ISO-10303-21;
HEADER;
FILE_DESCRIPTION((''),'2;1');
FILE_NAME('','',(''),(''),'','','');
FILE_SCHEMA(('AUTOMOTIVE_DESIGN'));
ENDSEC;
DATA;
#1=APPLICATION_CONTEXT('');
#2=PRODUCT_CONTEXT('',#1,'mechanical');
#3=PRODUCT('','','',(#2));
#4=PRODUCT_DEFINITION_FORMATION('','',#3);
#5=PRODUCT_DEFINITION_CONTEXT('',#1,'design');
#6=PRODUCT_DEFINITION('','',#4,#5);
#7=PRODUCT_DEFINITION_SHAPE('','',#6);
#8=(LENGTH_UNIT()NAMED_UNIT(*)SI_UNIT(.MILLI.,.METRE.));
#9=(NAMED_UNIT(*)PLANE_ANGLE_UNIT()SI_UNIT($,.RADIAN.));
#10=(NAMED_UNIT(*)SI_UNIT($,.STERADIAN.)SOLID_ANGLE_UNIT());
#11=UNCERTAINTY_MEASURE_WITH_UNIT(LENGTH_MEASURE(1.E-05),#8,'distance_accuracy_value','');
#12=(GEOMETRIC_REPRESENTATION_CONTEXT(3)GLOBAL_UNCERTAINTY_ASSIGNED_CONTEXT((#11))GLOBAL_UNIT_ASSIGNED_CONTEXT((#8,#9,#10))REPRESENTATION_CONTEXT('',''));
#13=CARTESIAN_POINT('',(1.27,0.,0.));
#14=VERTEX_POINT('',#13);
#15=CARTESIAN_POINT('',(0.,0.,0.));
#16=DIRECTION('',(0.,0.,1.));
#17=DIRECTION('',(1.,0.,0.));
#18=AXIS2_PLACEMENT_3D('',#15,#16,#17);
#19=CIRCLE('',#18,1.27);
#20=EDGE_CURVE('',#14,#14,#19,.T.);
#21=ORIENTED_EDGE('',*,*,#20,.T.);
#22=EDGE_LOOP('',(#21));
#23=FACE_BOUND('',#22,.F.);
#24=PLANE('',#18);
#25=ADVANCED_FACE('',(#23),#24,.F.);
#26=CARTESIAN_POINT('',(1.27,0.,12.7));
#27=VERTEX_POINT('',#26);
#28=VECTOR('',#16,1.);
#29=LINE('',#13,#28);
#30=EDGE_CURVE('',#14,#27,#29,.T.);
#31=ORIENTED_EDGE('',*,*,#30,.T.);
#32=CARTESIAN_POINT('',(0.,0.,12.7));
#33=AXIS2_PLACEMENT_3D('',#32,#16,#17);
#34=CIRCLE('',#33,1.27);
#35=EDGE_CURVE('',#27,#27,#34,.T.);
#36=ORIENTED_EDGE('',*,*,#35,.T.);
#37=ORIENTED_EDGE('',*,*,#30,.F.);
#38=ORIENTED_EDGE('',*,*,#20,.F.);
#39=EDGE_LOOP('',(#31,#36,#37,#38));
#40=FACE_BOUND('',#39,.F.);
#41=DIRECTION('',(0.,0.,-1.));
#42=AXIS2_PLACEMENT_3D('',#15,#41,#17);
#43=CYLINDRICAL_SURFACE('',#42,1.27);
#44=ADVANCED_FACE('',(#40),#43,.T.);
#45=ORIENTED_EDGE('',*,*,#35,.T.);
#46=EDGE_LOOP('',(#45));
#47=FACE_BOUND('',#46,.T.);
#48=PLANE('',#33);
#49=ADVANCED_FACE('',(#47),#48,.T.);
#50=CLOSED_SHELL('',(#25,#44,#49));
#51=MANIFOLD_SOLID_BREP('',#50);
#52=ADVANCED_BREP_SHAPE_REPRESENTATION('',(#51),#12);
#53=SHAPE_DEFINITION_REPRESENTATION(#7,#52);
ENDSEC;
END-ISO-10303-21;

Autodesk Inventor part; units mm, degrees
ref_plane "YZ Plane" through (0, 0, 0) normal (1, 0, 0) x (0, 1, 0)
ref_plane "XZ Plane" through (0, 0, 0) normal (0, 1, 0) x (-1, 0, 0)
ref_plane "XY Plane" through (0, 0, 0) normal (0, 0, 1) x (1, 0, 0)
sketch "Sketch1" plane through (0, 0, 0) normal (0, 0, 1) x (1, 0, 0)
  circle A0 centre (0, 0) radius 1.27
  dimension "d0" = 2.54
extrude "Extrusion1" add sketch "Sketch1" along normal blind 12.7
properties part number "Pin .5 in by .1 in" material "Gold"
